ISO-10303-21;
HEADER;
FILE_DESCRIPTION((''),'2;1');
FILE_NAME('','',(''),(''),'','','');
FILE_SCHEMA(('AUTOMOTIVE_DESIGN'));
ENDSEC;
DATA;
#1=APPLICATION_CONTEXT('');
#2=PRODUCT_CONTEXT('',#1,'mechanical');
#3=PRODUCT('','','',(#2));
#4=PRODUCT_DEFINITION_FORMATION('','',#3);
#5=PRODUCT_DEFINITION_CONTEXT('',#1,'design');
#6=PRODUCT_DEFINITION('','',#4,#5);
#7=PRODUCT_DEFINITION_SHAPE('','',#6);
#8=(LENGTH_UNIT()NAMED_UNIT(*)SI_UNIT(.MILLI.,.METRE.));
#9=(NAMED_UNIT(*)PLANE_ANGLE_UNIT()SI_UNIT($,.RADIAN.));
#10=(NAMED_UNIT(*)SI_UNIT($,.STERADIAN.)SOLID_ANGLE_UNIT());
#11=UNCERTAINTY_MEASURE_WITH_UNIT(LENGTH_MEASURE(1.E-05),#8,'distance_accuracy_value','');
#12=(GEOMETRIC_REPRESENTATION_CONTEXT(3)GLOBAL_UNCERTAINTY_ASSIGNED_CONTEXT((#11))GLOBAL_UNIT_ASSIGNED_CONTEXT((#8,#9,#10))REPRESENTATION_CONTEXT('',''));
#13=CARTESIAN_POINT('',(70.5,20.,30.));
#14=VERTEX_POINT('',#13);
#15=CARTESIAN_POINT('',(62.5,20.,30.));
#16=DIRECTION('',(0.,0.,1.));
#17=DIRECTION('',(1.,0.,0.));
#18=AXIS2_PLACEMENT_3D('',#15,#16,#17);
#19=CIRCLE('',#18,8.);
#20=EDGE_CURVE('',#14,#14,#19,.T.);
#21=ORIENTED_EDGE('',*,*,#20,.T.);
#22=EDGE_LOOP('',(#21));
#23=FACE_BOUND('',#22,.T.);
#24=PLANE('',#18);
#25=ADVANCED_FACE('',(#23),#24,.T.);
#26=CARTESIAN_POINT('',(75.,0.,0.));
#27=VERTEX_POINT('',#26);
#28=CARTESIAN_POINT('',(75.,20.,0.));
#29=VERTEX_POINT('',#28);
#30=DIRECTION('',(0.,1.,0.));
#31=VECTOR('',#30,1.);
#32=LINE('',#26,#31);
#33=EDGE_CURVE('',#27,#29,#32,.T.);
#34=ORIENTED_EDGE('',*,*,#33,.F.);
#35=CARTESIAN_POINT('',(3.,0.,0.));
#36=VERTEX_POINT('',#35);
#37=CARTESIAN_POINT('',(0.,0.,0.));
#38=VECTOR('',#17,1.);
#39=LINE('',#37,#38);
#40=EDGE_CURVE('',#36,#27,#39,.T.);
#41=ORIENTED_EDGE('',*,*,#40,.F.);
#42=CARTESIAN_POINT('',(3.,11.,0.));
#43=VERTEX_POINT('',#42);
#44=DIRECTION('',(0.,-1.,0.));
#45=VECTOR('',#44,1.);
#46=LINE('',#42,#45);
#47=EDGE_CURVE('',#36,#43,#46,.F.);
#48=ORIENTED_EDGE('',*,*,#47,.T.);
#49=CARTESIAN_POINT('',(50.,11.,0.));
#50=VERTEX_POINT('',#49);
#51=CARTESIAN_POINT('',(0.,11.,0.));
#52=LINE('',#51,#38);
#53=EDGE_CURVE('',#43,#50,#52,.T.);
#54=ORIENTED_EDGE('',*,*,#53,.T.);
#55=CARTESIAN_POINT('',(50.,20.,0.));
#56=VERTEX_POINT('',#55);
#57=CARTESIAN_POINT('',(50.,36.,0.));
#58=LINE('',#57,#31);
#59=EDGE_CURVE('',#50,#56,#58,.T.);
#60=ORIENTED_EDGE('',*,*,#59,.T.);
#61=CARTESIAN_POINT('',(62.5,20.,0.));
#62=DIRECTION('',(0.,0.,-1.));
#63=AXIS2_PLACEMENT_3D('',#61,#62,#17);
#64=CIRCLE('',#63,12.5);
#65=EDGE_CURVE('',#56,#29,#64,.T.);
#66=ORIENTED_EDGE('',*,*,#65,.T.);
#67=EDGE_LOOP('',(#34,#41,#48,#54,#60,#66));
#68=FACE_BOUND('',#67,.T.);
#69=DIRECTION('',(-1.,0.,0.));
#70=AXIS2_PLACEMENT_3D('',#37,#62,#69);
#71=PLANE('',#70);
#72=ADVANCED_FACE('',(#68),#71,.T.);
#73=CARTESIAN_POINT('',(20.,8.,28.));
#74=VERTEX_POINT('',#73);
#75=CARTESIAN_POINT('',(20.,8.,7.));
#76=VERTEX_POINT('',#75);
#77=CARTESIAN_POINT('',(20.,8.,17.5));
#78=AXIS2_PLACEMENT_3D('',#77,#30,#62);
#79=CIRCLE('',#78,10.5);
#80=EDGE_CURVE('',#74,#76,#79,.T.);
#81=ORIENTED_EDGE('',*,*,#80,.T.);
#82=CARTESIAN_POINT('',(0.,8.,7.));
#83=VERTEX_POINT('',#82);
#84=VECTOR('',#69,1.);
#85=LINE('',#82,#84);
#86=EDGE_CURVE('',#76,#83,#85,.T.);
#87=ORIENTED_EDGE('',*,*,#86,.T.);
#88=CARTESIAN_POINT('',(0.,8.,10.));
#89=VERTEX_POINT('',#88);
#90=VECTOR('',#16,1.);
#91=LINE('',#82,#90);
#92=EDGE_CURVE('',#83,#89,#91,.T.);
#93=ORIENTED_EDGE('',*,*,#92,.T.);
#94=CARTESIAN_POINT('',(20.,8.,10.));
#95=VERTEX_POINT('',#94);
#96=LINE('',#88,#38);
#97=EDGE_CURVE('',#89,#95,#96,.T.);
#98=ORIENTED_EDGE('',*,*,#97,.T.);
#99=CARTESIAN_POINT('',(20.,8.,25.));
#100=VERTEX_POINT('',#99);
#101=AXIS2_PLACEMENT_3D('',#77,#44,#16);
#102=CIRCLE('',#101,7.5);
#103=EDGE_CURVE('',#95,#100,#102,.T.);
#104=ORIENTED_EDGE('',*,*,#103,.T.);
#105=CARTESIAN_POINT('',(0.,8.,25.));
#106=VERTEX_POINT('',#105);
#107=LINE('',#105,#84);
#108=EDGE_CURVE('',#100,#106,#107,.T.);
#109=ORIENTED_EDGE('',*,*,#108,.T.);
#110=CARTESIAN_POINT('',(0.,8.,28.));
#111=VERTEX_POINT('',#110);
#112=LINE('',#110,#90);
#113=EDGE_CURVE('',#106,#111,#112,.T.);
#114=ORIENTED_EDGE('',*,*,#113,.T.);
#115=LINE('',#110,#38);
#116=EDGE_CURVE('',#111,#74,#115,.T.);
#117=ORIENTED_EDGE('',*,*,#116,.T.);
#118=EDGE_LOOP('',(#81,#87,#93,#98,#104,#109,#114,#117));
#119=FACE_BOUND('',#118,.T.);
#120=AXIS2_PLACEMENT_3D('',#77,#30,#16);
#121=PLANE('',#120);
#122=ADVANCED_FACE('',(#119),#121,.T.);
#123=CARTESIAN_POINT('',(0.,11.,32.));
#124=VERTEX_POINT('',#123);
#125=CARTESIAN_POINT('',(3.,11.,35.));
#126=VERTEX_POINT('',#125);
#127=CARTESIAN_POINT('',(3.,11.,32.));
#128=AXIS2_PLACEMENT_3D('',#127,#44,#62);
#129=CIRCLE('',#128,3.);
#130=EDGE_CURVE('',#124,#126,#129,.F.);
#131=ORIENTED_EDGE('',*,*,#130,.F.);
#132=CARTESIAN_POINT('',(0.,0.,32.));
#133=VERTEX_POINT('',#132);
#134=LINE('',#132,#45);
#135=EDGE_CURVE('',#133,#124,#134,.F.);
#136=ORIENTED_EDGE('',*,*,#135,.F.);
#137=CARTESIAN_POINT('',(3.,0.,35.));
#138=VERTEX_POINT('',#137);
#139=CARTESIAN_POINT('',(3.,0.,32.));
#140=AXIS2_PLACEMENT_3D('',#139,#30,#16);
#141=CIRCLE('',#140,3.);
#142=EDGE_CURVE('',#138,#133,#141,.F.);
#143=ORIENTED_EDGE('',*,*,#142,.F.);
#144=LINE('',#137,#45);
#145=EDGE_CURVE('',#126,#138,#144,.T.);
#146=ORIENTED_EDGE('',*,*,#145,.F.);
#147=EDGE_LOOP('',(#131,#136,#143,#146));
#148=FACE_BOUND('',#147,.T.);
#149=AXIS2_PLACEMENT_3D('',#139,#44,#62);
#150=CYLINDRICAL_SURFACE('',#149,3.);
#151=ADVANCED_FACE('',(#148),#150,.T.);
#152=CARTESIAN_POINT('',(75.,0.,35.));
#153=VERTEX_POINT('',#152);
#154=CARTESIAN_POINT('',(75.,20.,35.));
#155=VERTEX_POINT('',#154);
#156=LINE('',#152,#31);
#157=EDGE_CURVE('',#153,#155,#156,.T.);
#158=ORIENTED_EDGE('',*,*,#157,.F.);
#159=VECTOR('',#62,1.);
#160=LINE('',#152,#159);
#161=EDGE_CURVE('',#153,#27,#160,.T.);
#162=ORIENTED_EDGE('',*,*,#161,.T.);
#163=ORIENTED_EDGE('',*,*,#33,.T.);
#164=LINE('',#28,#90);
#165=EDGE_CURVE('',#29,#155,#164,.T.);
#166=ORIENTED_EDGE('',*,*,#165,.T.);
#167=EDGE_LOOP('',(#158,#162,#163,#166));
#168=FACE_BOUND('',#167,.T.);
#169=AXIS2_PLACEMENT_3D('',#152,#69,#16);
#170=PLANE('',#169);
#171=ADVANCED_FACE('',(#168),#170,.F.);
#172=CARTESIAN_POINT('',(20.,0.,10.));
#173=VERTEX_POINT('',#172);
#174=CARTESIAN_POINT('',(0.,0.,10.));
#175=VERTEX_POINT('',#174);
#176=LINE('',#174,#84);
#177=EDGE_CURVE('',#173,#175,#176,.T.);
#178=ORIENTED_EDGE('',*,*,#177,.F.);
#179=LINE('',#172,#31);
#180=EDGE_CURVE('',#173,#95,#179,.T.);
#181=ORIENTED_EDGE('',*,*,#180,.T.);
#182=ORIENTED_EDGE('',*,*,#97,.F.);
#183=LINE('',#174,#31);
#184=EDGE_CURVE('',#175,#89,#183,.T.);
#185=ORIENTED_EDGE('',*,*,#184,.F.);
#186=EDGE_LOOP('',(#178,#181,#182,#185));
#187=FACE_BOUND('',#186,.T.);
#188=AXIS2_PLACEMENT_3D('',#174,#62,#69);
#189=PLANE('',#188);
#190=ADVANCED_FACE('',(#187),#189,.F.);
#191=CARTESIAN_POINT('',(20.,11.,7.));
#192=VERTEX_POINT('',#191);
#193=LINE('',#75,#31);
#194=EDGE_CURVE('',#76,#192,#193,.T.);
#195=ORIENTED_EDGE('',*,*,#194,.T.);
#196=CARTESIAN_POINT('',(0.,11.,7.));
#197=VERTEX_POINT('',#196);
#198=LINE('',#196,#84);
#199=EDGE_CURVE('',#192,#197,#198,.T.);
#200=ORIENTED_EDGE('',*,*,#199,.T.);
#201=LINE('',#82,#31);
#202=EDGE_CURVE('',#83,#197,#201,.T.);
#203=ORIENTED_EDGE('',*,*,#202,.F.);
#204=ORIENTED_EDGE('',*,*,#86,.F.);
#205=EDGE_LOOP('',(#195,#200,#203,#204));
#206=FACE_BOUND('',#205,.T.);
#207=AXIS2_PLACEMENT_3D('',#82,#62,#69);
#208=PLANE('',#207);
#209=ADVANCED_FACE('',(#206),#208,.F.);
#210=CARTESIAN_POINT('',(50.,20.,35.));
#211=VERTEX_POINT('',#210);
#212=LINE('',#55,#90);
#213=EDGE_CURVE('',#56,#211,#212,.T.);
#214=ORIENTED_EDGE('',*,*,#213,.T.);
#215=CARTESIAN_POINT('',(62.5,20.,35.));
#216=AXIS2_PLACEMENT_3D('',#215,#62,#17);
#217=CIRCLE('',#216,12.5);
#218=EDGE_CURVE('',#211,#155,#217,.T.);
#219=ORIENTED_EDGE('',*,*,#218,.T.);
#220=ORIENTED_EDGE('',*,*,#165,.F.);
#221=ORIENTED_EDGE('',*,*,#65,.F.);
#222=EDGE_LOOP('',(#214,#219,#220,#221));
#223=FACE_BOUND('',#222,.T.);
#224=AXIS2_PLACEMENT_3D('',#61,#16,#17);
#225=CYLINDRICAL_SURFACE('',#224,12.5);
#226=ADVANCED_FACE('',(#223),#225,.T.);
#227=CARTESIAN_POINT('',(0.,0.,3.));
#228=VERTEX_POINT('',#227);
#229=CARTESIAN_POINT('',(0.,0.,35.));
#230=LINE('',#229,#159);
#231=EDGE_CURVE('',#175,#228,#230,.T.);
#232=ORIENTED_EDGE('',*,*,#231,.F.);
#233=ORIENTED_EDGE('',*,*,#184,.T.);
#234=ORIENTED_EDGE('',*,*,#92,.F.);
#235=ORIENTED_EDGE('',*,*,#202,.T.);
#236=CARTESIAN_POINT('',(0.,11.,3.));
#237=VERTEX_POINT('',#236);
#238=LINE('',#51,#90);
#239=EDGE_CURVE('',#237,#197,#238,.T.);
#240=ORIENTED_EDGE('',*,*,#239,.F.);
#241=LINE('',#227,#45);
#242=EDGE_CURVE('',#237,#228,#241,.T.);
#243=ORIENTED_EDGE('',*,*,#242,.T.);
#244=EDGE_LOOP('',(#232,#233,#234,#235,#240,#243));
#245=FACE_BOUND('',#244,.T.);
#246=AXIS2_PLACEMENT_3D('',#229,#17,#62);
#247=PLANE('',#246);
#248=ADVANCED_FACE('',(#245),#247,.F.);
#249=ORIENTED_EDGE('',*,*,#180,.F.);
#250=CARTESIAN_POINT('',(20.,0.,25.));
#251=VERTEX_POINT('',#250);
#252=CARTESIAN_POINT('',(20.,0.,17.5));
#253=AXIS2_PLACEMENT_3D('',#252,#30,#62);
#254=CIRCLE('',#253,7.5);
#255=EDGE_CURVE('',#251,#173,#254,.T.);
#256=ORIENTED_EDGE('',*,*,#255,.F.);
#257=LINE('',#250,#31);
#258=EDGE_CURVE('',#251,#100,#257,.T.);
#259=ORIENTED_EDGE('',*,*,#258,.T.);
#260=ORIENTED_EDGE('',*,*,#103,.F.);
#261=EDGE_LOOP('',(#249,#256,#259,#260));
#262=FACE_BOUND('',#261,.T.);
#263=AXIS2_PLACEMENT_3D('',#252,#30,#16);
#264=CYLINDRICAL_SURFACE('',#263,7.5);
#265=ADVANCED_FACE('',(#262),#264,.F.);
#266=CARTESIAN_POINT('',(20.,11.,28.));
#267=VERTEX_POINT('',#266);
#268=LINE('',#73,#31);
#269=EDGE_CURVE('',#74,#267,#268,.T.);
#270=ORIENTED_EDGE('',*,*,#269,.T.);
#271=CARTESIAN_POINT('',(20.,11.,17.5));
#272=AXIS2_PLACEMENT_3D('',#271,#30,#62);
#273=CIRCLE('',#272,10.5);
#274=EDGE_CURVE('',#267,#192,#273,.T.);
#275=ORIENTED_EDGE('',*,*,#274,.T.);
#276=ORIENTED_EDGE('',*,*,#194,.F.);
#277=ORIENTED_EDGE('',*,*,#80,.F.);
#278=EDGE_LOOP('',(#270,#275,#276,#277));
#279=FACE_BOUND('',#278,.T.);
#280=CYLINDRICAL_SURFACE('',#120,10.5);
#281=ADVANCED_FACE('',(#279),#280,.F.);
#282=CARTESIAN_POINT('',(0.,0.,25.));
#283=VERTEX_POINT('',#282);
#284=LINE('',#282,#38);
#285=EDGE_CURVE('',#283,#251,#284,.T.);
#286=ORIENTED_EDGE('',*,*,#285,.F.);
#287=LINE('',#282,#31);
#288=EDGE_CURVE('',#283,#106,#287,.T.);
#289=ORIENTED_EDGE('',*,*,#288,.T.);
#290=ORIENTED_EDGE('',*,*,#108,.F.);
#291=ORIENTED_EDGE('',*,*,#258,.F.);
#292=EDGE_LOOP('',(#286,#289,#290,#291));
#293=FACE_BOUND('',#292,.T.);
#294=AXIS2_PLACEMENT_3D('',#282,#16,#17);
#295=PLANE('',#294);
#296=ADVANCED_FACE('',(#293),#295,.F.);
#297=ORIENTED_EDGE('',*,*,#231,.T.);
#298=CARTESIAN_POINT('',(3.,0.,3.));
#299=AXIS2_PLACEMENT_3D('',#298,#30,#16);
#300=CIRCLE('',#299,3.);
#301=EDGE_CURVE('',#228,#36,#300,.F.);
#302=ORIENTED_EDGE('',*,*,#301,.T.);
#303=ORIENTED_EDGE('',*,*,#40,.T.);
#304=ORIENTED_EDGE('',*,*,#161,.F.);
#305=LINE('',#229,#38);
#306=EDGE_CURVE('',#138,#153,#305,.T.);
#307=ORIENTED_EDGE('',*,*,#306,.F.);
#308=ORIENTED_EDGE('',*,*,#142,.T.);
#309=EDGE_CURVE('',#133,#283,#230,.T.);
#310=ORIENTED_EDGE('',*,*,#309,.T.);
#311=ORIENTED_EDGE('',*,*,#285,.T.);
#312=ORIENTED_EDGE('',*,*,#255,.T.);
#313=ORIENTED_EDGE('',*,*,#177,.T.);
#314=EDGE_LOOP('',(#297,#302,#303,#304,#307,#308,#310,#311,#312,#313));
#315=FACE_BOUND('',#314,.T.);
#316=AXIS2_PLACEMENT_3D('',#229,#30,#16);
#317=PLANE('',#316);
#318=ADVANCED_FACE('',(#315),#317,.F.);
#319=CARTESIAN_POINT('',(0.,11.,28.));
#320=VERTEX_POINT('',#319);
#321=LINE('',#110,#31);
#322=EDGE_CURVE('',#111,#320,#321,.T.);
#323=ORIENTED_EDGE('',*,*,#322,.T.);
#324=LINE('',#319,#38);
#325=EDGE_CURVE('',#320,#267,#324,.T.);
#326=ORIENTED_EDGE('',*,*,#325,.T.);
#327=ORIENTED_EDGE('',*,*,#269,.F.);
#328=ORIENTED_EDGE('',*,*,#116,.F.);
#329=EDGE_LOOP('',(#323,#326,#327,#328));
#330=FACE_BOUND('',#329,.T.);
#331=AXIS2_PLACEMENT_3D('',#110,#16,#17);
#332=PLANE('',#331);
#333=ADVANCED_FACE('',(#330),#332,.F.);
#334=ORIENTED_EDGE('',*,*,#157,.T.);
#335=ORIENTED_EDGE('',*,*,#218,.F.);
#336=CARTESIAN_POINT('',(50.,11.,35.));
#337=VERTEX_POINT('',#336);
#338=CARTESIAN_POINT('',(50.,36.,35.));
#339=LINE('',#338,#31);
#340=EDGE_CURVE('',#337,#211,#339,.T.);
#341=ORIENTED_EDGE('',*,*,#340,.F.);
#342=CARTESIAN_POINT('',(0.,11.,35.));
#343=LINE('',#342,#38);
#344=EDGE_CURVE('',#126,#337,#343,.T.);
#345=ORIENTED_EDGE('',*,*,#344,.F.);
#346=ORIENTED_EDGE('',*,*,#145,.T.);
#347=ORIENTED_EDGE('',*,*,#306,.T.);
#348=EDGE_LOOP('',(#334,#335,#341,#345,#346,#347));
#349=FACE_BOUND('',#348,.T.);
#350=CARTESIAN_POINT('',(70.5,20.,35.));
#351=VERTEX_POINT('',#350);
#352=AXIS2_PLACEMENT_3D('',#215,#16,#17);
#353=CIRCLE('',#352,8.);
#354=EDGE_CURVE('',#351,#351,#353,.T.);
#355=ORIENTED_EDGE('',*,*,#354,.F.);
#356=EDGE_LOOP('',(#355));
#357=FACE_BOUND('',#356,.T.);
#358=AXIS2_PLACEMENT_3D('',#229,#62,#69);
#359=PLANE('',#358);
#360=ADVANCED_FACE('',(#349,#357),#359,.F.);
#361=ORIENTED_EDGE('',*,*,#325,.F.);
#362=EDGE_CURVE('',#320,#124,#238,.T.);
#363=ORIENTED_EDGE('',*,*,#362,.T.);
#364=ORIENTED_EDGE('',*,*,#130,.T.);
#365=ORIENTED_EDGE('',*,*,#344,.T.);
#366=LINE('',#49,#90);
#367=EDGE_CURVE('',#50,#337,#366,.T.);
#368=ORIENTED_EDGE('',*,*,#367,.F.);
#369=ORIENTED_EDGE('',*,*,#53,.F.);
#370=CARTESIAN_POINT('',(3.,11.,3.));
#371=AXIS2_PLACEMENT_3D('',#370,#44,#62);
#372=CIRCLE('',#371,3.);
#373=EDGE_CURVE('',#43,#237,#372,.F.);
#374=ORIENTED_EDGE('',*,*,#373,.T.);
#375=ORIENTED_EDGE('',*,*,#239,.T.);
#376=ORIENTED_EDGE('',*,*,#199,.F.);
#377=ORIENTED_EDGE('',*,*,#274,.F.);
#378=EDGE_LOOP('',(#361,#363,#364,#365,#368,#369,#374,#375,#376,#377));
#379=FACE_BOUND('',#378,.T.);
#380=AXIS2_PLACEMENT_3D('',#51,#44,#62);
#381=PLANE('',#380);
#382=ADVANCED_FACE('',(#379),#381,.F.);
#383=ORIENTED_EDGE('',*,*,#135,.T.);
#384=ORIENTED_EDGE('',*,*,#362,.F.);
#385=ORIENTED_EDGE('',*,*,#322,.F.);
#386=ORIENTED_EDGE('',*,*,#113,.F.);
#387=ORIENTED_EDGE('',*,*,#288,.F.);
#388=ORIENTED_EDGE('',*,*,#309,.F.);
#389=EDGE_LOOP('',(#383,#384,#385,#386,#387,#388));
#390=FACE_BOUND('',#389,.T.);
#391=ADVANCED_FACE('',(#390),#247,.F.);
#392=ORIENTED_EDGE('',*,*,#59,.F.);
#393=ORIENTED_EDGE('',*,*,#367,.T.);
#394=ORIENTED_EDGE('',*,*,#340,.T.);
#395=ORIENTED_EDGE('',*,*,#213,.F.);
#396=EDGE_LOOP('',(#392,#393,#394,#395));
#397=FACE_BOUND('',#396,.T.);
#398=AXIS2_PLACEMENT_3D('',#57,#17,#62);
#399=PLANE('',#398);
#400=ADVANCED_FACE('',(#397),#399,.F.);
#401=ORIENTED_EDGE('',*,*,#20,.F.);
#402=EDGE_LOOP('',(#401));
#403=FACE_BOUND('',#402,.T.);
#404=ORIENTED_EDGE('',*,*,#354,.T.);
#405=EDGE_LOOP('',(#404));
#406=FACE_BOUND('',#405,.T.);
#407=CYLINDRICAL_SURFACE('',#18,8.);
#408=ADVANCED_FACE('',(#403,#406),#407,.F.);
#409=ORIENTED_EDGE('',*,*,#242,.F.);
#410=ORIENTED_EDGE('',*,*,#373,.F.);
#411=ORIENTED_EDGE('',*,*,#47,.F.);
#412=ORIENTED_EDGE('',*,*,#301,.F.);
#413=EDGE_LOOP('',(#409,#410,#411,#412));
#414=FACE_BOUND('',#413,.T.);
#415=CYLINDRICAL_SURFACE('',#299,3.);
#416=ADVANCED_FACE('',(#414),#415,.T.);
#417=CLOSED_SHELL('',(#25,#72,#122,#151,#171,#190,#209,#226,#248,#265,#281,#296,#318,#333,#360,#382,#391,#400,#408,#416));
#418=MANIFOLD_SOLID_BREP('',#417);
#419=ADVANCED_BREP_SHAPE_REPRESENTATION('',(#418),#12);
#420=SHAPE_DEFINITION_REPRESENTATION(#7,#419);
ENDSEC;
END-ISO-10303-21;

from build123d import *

# Parameters (mm, degrees)
IZIM1_W                     = 75
IZIM1_H                     = 36
Y_KSEKLIK_EKSTR_ZYON1_DEPTH = 35
IZIM2_W                     = 50
IZIM2_H                     = 25
KES_EKSTR_ZYON1_DEPTH       = 36
IZIM6_R                     = 8
KES_EKSTR_ZYON3_DEPTH       = 5
KES_EKSTR_ZYON4_DEPTH       = 3
KES_EKSTR_ZYON5_DEPTH       = 26
KES_EKSTR_ZYON5_DEPTH_BACK  = 12
RADYUS2_R                   = 3
RADYUS3_R                   = 3
KES_EKSTR_ZYON7_DEPTH       = 36


with BuildPart() as part:
    # Çizim1 → Yükseklik-Ekstrüzyon1 (new body)
    with BuildSketch(Plane.XY):
        with Locations((37.5, 18)):
            Rectangle(IZIM1_W, IZIM1_H)
    extrude(amount=Y_KSEKLIK_EKSTR_ZYON1_DEPTH)

    # Çizim2 → Kes-Ekstrüzyon1 (cut, through all)
    with BuildSketch(Plane.XY.offset(35)):
        with Locations((25, 23.5)):
            Rectangle(IZIM2_W, IZIM2_H)
    extrude(amount=-KES_EKSTR_ZYON1_DEPTH, mode=Mode.SUBTRACT)

    # Çizim6 → Kes-Ekstrüzyon3 (cut)
    with BuildSketch(Plane.XY.offset(35)):
        with Locations((62.5, 20)):
            Circle(IZIM6_R)
    extrude(amount=-KES_EKSTR_ZYON3_DEPTH, mode=Mode.SUBTRACT)

    # Çizim7 → Kes-Ekstrüzyon4 (cut)
    with BuildSketch(Plane(origin=(0, 11, 0), x_dir=(1, 0, 0), z_dir=(0, 1, 0))):
        with BuildLine():
            Line((0, -7), (20, -7))
            ThreePointArc((20, -7), (30.5, -17.5), (20, -28))
            Line((20, -28), (0, -28))
            Line((0, -28), (0, -25))
            Line((0, -25), (20, -25))
            ThreePointArc((20, -25), (27.5, -17.5), (20, -10))
            Line((20, -10), (0, -10))
            Line((0, -10), (0, -7))
        make_face()
    extrude(amount=-KES_EKSTR_ZYON4_DEPTH, mode=Mode.SUBTRACT)

    # Çizim8 → Kes-Ekstrüzyon5 (cut, two sides)
    with BuildSketch(Plane(origin=(0, 11, 0), x_dir=(1, 0, 0), z_dir=(0, 1, 0))) as kes_ekstr_zyon5_sk:
        with BuildLine():
            Line((0, -10), (20, -10))
            ThreePointArc((20, -10), (27.5, -17.5), (20, -25))
            Line((20, -25), (0, -25))
            Line((0, -25), (0, -10))
        make_face()
    extrude(amount=KES_EKSTR_ZYON5_DEPTH, mode=Mode.SUBTRACT)
    extrude(kes_ekstr_zyon5_sk.sketch, amount=-KES_EKSTR_ZYON5_DEPTH_BACK, mode=Mode.SUBTRACT)

    # Radyus2
    radyus2_edges = [part.edges().sort_by_distance(p)[0] for p in [
        (0, 5.5, 0),
    ]]
    fillet(radyus2_edges, radius=RADYUS2_R)

    # Radyus3
    radyus3_edges = [part.edges().sort_by_distance(p)[0] for p in [
        (0, 5.5, 35),
    ]]
    fillet(radyus3_edges, radius=RADYUS3_R)

    # Çizim9 → Kes-Ekstrüzyon7 (cut, through all)
    with BuildSketch(Plane.XY.offset(35)):
        with BuildLine():
            Line((50, 20), (50, 36))
            Line((50, 36), (75, 36))
            Line((75, 36), (75, 20))
            ThreePointArc((75, 20), (62.5, 32.5), (50, 20))
        make_face()
    extrude(amount=-KES_EKSTR_ZYON7_DEPTH, mode=Mode.SUBTRACT)


solid = part.part
